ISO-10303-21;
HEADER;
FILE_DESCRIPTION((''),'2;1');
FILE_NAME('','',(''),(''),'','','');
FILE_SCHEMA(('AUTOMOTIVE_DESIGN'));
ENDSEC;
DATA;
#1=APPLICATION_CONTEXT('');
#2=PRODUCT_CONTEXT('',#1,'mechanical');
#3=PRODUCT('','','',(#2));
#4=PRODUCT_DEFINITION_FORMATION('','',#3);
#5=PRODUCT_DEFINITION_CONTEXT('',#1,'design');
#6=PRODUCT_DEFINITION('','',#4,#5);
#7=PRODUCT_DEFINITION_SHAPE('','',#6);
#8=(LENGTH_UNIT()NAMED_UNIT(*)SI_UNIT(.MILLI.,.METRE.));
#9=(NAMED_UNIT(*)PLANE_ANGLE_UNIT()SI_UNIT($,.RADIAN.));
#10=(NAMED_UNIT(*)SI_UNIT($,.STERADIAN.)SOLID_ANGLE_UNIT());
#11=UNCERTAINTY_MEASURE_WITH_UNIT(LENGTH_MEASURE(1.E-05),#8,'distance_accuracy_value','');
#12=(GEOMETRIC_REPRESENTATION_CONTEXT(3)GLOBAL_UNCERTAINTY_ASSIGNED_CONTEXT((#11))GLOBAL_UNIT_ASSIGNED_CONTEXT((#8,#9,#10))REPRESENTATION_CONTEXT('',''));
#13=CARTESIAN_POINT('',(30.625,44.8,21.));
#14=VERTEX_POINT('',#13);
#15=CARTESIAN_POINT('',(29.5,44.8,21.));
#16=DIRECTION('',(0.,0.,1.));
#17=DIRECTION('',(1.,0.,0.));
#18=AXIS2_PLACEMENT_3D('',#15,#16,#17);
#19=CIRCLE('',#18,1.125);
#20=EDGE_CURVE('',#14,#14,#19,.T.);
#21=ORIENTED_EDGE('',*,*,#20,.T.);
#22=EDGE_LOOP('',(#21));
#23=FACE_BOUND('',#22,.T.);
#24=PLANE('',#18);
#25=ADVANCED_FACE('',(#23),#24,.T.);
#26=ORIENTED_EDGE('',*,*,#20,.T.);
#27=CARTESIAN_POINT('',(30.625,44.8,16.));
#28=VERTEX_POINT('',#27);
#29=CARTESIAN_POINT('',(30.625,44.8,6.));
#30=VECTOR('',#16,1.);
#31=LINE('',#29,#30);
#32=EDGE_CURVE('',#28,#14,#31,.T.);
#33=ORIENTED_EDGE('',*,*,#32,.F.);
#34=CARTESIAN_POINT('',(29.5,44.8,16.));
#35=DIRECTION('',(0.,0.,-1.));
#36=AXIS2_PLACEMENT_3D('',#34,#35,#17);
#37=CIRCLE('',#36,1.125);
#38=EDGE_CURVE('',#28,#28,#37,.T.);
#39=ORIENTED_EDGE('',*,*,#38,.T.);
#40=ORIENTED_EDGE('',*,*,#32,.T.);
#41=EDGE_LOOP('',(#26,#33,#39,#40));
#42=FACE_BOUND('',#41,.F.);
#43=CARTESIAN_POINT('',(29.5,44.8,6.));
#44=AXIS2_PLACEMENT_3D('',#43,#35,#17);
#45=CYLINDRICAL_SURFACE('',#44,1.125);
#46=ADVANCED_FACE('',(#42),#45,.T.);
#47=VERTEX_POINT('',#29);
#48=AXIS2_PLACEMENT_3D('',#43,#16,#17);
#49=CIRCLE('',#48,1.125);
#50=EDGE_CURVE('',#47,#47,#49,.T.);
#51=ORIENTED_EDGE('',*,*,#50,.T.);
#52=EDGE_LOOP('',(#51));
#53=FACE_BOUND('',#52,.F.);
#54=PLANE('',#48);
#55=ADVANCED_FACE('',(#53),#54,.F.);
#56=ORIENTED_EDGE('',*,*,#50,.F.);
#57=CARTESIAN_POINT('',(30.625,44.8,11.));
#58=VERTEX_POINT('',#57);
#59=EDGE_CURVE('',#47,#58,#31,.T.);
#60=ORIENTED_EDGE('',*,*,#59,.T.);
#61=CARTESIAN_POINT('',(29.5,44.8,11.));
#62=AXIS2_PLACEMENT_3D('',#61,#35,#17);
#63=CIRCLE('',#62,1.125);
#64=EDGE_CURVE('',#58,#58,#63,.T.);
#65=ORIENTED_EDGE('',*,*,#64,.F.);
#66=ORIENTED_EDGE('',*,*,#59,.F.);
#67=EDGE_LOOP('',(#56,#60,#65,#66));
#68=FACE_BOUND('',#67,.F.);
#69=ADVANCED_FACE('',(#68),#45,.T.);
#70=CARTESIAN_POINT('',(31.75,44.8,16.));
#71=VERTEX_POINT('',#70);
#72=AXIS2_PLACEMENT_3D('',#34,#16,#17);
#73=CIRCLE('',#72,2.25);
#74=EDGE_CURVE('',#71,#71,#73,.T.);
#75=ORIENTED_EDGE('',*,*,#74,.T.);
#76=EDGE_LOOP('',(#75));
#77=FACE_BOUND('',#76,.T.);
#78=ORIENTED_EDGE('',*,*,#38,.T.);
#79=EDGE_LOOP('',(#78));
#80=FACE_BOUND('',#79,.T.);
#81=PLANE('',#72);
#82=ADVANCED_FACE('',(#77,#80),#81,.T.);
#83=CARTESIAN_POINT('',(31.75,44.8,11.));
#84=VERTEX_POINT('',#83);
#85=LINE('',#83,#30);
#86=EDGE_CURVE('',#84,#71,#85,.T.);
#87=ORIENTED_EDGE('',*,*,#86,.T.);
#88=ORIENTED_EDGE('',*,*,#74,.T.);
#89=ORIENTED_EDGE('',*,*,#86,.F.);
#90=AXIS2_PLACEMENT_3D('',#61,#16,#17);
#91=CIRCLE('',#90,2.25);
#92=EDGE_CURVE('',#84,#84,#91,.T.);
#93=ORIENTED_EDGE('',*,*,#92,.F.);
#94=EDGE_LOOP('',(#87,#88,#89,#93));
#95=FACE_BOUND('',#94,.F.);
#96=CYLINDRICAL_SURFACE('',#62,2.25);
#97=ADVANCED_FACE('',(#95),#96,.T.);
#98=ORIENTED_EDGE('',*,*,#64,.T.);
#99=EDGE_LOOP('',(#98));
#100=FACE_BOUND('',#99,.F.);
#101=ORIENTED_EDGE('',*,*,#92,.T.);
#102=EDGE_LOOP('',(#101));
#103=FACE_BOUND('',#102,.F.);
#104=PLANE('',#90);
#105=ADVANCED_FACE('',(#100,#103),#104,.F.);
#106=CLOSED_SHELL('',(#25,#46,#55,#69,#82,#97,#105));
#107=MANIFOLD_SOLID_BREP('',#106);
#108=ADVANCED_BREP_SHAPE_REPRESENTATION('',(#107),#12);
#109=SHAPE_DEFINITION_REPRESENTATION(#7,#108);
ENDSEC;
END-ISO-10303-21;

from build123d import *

# Parameters (mm, degrees)
CYLINDER002_R        = 4.5
CYLINDER002_DEPTH    = 10
CYLINDER003_R        = 2.25
CYLINDER003_DEPTH    = 30
CLONE014_SCALE_SCALE = 0.5


with BuildPart() as cylinder002:
    # Cylinder002 → Cylinder002 (new body)
    with BuildSketch(Plane(origin=(0, 10, 5), x_dir=(1, 0, 0), z_dir=(0, 0, 1))):
        Circle(CYLINDER002_R)
    extrude(amount=CYLINDER002_DEPTH)


with BuildPart() as clone014:
    # Cylinder003 → Cylinder003 (new body)
    with BuildSketch(Plane(origin=(0, 10, -5), x_dir=(1, 0, 0), z_dir=(0, 0, 1))):
        Circle(CYLINDER003_R)
    extrude(amount=CYLINDER003_DEPTH)

    # Fusion002: union Cylinder002
    add(cylinder002.part)


with BuildPart() as clone014_1:
    # Clone014 scale: moved
    add(clone014.part.scale(CLONE014_SCALE_SCALE))


with BuildPart() as clone014_2:
    # Clone014 placement: moved
    add(clone014_1.part.moved(Location((29.5, 39.8, 8.5))))


solid = clone014_2.part
